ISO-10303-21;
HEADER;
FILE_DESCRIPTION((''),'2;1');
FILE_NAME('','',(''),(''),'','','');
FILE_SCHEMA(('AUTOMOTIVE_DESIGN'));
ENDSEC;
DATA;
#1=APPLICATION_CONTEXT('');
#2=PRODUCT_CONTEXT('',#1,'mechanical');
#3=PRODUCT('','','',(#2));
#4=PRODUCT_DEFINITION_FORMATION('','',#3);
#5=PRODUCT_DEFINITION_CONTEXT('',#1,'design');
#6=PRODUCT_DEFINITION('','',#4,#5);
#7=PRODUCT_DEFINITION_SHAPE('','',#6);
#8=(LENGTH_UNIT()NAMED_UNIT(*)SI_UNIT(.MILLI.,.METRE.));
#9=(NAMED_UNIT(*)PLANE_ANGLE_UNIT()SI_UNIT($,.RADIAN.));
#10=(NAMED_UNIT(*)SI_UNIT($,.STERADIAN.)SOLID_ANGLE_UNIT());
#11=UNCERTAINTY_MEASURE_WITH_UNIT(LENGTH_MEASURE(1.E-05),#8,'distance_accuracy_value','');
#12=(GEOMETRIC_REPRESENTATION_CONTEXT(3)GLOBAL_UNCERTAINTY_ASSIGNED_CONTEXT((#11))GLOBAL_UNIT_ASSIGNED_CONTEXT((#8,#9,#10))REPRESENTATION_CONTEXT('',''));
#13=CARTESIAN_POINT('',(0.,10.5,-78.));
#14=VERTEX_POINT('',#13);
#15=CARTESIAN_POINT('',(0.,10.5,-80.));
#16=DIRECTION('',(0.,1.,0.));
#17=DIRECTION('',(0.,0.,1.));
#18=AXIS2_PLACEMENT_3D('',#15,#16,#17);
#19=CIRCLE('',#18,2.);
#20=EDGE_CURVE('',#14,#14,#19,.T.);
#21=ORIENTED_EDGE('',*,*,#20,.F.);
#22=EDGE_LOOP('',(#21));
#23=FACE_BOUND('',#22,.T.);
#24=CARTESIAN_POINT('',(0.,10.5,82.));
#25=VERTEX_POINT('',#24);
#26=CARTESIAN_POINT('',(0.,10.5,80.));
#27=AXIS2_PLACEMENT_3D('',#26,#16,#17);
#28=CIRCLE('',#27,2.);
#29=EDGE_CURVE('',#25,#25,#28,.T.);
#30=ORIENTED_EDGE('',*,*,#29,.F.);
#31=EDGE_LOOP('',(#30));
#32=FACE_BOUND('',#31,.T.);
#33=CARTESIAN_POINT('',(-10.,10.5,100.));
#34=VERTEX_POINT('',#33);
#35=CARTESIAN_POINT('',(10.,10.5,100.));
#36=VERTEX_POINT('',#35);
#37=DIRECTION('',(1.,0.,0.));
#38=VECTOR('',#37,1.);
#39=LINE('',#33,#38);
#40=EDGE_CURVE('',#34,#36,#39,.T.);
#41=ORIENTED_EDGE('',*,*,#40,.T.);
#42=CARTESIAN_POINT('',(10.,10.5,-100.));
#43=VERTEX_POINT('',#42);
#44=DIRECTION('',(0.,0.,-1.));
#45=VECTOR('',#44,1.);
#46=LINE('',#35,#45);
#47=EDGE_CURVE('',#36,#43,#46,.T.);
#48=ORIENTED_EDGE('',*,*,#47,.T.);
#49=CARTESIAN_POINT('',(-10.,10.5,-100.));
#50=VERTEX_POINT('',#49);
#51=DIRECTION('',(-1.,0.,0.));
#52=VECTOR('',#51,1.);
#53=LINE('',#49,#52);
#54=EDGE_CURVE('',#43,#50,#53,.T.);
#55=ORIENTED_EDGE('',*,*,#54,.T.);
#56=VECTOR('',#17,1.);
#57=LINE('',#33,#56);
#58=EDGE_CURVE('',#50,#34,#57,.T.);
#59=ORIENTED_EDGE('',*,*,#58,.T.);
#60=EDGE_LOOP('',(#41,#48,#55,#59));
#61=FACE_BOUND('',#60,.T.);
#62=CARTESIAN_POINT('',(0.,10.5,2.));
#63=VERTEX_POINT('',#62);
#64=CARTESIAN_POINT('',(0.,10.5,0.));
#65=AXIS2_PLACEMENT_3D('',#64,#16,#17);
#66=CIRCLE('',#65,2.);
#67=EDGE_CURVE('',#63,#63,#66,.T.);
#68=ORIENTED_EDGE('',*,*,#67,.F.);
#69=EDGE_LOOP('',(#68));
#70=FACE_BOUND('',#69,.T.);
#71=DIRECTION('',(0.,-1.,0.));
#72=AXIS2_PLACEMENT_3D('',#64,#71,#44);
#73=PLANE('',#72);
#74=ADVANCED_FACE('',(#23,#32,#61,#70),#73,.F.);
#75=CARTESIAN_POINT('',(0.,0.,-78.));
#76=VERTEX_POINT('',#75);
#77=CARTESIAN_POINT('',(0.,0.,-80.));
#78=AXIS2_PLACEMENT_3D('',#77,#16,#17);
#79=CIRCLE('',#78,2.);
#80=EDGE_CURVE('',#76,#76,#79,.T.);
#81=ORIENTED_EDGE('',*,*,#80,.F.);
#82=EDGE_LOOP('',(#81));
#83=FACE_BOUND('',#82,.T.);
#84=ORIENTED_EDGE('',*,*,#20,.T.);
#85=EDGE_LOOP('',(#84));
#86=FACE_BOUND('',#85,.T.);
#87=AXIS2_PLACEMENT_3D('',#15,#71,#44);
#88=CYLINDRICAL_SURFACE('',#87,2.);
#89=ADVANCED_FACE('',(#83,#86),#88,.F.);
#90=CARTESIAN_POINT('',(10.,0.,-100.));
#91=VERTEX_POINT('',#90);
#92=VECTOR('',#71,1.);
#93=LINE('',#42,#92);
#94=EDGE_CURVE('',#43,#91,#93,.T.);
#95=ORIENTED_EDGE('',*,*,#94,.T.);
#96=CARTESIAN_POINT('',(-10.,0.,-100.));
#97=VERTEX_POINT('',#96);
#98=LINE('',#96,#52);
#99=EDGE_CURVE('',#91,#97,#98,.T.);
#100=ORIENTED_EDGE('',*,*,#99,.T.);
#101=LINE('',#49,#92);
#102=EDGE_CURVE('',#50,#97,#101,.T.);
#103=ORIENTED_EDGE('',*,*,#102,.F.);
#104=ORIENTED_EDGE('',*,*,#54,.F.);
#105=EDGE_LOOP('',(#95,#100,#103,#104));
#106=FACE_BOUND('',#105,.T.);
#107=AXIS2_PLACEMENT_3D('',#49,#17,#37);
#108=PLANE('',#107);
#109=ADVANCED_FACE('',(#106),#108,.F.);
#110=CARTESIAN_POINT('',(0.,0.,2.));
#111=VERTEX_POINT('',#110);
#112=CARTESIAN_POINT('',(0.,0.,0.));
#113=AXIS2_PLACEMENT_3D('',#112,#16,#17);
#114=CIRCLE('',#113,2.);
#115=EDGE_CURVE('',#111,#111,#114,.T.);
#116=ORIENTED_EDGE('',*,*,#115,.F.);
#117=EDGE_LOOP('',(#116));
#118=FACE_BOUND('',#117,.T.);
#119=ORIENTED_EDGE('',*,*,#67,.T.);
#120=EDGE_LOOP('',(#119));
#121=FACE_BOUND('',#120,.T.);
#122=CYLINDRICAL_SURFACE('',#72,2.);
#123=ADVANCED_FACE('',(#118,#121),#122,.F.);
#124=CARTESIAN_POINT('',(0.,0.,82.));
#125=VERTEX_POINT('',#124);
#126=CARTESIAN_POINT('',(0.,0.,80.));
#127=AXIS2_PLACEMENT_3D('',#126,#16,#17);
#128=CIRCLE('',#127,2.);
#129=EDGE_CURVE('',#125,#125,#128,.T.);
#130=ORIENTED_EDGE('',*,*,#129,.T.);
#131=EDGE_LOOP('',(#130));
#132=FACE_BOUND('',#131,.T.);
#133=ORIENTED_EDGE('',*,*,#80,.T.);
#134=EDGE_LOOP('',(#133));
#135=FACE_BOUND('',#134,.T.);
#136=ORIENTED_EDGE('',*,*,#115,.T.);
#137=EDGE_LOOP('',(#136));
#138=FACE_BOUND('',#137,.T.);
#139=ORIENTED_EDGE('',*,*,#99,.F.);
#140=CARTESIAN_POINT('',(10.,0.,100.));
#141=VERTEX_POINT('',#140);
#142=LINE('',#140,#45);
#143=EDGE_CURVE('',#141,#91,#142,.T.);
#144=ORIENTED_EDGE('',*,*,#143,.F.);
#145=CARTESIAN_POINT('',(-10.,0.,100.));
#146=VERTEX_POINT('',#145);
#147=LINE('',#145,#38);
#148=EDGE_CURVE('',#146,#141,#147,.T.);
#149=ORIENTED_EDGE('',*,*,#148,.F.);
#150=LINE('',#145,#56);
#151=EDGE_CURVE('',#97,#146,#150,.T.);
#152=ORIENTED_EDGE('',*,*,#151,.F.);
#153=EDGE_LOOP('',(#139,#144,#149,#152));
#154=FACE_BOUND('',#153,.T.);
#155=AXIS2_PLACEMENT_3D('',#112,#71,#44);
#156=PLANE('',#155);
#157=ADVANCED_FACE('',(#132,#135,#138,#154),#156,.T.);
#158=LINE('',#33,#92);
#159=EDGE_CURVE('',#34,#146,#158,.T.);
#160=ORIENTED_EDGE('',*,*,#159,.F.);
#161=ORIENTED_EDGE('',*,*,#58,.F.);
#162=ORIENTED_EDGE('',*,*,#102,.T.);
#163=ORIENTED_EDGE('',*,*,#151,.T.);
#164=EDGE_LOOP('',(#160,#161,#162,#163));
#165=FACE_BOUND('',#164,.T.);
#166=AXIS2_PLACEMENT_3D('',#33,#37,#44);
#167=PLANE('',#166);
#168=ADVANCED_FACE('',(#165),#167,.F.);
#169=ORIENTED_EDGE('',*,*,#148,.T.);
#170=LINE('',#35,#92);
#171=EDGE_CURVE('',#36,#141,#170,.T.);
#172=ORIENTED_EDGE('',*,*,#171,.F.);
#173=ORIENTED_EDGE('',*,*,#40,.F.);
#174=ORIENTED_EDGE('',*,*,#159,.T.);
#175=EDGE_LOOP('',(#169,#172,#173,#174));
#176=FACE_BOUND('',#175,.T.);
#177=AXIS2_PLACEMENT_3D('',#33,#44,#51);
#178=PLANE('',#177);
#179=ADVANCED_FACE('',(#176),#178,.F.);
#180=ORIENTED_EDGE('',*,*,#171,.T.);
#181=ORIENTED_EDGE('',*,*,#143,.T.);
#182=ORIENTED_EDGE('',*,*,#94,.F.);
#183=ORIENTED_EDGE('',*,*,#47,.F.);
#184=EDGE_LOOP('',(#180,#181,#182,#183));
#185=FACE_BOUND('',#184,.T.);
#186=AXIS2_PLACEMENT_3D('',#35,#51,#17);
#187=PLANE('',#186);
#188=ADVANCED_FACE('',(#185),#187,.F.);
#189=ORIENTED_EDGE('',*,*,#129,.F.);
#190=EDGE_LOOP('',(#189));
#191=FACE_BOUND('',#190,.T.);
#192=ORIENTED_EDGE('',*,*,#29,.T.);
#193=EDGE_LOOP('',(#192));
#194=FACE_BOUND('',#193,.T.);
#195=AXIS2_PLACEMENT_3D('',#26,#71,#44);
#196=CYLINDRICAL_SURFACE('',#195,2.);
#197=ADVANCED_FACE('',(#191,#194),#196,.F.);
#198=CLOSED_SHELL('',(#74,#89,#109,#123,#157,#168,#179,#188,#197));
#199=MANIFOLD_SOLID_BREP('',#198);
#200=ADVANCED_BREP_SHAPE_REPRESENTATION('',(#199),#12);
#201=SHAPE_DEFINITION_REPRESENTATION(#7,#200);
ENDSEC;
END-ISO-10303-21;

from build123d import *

# Parameters (mm, degrees)
SKETCH1_W           = 20
SKETCH1_H           = 200
SKETCH1_R           = 2
BOSS_EXTRUDE1_DEPTH = 10.5


with BuildPart() as part:
    # Sketch1 → Boss-Extrude1 (new body)
    with BuildSketch(Plane(origin=(0, 0, 0), x_dir=(1, 0, 0), z_dir=(0, 1, 0))):
        Rectangle(SKETCH1_W, SKETCH1_H)
        with Locations((0, 80)):
            Circle(SKETCH1_R, mode=Mode.SUBTRACT)
        Circle(SKETCH1_R, mode=Mode.SUBTRACT)
        with Locations((0, -80)):
            Circle(SKETCH1_R, mode=Mode.SUBTRACT)
    extrude(amount=BOSS_EXTRUDE1_DEPTH)


solid = part.part
